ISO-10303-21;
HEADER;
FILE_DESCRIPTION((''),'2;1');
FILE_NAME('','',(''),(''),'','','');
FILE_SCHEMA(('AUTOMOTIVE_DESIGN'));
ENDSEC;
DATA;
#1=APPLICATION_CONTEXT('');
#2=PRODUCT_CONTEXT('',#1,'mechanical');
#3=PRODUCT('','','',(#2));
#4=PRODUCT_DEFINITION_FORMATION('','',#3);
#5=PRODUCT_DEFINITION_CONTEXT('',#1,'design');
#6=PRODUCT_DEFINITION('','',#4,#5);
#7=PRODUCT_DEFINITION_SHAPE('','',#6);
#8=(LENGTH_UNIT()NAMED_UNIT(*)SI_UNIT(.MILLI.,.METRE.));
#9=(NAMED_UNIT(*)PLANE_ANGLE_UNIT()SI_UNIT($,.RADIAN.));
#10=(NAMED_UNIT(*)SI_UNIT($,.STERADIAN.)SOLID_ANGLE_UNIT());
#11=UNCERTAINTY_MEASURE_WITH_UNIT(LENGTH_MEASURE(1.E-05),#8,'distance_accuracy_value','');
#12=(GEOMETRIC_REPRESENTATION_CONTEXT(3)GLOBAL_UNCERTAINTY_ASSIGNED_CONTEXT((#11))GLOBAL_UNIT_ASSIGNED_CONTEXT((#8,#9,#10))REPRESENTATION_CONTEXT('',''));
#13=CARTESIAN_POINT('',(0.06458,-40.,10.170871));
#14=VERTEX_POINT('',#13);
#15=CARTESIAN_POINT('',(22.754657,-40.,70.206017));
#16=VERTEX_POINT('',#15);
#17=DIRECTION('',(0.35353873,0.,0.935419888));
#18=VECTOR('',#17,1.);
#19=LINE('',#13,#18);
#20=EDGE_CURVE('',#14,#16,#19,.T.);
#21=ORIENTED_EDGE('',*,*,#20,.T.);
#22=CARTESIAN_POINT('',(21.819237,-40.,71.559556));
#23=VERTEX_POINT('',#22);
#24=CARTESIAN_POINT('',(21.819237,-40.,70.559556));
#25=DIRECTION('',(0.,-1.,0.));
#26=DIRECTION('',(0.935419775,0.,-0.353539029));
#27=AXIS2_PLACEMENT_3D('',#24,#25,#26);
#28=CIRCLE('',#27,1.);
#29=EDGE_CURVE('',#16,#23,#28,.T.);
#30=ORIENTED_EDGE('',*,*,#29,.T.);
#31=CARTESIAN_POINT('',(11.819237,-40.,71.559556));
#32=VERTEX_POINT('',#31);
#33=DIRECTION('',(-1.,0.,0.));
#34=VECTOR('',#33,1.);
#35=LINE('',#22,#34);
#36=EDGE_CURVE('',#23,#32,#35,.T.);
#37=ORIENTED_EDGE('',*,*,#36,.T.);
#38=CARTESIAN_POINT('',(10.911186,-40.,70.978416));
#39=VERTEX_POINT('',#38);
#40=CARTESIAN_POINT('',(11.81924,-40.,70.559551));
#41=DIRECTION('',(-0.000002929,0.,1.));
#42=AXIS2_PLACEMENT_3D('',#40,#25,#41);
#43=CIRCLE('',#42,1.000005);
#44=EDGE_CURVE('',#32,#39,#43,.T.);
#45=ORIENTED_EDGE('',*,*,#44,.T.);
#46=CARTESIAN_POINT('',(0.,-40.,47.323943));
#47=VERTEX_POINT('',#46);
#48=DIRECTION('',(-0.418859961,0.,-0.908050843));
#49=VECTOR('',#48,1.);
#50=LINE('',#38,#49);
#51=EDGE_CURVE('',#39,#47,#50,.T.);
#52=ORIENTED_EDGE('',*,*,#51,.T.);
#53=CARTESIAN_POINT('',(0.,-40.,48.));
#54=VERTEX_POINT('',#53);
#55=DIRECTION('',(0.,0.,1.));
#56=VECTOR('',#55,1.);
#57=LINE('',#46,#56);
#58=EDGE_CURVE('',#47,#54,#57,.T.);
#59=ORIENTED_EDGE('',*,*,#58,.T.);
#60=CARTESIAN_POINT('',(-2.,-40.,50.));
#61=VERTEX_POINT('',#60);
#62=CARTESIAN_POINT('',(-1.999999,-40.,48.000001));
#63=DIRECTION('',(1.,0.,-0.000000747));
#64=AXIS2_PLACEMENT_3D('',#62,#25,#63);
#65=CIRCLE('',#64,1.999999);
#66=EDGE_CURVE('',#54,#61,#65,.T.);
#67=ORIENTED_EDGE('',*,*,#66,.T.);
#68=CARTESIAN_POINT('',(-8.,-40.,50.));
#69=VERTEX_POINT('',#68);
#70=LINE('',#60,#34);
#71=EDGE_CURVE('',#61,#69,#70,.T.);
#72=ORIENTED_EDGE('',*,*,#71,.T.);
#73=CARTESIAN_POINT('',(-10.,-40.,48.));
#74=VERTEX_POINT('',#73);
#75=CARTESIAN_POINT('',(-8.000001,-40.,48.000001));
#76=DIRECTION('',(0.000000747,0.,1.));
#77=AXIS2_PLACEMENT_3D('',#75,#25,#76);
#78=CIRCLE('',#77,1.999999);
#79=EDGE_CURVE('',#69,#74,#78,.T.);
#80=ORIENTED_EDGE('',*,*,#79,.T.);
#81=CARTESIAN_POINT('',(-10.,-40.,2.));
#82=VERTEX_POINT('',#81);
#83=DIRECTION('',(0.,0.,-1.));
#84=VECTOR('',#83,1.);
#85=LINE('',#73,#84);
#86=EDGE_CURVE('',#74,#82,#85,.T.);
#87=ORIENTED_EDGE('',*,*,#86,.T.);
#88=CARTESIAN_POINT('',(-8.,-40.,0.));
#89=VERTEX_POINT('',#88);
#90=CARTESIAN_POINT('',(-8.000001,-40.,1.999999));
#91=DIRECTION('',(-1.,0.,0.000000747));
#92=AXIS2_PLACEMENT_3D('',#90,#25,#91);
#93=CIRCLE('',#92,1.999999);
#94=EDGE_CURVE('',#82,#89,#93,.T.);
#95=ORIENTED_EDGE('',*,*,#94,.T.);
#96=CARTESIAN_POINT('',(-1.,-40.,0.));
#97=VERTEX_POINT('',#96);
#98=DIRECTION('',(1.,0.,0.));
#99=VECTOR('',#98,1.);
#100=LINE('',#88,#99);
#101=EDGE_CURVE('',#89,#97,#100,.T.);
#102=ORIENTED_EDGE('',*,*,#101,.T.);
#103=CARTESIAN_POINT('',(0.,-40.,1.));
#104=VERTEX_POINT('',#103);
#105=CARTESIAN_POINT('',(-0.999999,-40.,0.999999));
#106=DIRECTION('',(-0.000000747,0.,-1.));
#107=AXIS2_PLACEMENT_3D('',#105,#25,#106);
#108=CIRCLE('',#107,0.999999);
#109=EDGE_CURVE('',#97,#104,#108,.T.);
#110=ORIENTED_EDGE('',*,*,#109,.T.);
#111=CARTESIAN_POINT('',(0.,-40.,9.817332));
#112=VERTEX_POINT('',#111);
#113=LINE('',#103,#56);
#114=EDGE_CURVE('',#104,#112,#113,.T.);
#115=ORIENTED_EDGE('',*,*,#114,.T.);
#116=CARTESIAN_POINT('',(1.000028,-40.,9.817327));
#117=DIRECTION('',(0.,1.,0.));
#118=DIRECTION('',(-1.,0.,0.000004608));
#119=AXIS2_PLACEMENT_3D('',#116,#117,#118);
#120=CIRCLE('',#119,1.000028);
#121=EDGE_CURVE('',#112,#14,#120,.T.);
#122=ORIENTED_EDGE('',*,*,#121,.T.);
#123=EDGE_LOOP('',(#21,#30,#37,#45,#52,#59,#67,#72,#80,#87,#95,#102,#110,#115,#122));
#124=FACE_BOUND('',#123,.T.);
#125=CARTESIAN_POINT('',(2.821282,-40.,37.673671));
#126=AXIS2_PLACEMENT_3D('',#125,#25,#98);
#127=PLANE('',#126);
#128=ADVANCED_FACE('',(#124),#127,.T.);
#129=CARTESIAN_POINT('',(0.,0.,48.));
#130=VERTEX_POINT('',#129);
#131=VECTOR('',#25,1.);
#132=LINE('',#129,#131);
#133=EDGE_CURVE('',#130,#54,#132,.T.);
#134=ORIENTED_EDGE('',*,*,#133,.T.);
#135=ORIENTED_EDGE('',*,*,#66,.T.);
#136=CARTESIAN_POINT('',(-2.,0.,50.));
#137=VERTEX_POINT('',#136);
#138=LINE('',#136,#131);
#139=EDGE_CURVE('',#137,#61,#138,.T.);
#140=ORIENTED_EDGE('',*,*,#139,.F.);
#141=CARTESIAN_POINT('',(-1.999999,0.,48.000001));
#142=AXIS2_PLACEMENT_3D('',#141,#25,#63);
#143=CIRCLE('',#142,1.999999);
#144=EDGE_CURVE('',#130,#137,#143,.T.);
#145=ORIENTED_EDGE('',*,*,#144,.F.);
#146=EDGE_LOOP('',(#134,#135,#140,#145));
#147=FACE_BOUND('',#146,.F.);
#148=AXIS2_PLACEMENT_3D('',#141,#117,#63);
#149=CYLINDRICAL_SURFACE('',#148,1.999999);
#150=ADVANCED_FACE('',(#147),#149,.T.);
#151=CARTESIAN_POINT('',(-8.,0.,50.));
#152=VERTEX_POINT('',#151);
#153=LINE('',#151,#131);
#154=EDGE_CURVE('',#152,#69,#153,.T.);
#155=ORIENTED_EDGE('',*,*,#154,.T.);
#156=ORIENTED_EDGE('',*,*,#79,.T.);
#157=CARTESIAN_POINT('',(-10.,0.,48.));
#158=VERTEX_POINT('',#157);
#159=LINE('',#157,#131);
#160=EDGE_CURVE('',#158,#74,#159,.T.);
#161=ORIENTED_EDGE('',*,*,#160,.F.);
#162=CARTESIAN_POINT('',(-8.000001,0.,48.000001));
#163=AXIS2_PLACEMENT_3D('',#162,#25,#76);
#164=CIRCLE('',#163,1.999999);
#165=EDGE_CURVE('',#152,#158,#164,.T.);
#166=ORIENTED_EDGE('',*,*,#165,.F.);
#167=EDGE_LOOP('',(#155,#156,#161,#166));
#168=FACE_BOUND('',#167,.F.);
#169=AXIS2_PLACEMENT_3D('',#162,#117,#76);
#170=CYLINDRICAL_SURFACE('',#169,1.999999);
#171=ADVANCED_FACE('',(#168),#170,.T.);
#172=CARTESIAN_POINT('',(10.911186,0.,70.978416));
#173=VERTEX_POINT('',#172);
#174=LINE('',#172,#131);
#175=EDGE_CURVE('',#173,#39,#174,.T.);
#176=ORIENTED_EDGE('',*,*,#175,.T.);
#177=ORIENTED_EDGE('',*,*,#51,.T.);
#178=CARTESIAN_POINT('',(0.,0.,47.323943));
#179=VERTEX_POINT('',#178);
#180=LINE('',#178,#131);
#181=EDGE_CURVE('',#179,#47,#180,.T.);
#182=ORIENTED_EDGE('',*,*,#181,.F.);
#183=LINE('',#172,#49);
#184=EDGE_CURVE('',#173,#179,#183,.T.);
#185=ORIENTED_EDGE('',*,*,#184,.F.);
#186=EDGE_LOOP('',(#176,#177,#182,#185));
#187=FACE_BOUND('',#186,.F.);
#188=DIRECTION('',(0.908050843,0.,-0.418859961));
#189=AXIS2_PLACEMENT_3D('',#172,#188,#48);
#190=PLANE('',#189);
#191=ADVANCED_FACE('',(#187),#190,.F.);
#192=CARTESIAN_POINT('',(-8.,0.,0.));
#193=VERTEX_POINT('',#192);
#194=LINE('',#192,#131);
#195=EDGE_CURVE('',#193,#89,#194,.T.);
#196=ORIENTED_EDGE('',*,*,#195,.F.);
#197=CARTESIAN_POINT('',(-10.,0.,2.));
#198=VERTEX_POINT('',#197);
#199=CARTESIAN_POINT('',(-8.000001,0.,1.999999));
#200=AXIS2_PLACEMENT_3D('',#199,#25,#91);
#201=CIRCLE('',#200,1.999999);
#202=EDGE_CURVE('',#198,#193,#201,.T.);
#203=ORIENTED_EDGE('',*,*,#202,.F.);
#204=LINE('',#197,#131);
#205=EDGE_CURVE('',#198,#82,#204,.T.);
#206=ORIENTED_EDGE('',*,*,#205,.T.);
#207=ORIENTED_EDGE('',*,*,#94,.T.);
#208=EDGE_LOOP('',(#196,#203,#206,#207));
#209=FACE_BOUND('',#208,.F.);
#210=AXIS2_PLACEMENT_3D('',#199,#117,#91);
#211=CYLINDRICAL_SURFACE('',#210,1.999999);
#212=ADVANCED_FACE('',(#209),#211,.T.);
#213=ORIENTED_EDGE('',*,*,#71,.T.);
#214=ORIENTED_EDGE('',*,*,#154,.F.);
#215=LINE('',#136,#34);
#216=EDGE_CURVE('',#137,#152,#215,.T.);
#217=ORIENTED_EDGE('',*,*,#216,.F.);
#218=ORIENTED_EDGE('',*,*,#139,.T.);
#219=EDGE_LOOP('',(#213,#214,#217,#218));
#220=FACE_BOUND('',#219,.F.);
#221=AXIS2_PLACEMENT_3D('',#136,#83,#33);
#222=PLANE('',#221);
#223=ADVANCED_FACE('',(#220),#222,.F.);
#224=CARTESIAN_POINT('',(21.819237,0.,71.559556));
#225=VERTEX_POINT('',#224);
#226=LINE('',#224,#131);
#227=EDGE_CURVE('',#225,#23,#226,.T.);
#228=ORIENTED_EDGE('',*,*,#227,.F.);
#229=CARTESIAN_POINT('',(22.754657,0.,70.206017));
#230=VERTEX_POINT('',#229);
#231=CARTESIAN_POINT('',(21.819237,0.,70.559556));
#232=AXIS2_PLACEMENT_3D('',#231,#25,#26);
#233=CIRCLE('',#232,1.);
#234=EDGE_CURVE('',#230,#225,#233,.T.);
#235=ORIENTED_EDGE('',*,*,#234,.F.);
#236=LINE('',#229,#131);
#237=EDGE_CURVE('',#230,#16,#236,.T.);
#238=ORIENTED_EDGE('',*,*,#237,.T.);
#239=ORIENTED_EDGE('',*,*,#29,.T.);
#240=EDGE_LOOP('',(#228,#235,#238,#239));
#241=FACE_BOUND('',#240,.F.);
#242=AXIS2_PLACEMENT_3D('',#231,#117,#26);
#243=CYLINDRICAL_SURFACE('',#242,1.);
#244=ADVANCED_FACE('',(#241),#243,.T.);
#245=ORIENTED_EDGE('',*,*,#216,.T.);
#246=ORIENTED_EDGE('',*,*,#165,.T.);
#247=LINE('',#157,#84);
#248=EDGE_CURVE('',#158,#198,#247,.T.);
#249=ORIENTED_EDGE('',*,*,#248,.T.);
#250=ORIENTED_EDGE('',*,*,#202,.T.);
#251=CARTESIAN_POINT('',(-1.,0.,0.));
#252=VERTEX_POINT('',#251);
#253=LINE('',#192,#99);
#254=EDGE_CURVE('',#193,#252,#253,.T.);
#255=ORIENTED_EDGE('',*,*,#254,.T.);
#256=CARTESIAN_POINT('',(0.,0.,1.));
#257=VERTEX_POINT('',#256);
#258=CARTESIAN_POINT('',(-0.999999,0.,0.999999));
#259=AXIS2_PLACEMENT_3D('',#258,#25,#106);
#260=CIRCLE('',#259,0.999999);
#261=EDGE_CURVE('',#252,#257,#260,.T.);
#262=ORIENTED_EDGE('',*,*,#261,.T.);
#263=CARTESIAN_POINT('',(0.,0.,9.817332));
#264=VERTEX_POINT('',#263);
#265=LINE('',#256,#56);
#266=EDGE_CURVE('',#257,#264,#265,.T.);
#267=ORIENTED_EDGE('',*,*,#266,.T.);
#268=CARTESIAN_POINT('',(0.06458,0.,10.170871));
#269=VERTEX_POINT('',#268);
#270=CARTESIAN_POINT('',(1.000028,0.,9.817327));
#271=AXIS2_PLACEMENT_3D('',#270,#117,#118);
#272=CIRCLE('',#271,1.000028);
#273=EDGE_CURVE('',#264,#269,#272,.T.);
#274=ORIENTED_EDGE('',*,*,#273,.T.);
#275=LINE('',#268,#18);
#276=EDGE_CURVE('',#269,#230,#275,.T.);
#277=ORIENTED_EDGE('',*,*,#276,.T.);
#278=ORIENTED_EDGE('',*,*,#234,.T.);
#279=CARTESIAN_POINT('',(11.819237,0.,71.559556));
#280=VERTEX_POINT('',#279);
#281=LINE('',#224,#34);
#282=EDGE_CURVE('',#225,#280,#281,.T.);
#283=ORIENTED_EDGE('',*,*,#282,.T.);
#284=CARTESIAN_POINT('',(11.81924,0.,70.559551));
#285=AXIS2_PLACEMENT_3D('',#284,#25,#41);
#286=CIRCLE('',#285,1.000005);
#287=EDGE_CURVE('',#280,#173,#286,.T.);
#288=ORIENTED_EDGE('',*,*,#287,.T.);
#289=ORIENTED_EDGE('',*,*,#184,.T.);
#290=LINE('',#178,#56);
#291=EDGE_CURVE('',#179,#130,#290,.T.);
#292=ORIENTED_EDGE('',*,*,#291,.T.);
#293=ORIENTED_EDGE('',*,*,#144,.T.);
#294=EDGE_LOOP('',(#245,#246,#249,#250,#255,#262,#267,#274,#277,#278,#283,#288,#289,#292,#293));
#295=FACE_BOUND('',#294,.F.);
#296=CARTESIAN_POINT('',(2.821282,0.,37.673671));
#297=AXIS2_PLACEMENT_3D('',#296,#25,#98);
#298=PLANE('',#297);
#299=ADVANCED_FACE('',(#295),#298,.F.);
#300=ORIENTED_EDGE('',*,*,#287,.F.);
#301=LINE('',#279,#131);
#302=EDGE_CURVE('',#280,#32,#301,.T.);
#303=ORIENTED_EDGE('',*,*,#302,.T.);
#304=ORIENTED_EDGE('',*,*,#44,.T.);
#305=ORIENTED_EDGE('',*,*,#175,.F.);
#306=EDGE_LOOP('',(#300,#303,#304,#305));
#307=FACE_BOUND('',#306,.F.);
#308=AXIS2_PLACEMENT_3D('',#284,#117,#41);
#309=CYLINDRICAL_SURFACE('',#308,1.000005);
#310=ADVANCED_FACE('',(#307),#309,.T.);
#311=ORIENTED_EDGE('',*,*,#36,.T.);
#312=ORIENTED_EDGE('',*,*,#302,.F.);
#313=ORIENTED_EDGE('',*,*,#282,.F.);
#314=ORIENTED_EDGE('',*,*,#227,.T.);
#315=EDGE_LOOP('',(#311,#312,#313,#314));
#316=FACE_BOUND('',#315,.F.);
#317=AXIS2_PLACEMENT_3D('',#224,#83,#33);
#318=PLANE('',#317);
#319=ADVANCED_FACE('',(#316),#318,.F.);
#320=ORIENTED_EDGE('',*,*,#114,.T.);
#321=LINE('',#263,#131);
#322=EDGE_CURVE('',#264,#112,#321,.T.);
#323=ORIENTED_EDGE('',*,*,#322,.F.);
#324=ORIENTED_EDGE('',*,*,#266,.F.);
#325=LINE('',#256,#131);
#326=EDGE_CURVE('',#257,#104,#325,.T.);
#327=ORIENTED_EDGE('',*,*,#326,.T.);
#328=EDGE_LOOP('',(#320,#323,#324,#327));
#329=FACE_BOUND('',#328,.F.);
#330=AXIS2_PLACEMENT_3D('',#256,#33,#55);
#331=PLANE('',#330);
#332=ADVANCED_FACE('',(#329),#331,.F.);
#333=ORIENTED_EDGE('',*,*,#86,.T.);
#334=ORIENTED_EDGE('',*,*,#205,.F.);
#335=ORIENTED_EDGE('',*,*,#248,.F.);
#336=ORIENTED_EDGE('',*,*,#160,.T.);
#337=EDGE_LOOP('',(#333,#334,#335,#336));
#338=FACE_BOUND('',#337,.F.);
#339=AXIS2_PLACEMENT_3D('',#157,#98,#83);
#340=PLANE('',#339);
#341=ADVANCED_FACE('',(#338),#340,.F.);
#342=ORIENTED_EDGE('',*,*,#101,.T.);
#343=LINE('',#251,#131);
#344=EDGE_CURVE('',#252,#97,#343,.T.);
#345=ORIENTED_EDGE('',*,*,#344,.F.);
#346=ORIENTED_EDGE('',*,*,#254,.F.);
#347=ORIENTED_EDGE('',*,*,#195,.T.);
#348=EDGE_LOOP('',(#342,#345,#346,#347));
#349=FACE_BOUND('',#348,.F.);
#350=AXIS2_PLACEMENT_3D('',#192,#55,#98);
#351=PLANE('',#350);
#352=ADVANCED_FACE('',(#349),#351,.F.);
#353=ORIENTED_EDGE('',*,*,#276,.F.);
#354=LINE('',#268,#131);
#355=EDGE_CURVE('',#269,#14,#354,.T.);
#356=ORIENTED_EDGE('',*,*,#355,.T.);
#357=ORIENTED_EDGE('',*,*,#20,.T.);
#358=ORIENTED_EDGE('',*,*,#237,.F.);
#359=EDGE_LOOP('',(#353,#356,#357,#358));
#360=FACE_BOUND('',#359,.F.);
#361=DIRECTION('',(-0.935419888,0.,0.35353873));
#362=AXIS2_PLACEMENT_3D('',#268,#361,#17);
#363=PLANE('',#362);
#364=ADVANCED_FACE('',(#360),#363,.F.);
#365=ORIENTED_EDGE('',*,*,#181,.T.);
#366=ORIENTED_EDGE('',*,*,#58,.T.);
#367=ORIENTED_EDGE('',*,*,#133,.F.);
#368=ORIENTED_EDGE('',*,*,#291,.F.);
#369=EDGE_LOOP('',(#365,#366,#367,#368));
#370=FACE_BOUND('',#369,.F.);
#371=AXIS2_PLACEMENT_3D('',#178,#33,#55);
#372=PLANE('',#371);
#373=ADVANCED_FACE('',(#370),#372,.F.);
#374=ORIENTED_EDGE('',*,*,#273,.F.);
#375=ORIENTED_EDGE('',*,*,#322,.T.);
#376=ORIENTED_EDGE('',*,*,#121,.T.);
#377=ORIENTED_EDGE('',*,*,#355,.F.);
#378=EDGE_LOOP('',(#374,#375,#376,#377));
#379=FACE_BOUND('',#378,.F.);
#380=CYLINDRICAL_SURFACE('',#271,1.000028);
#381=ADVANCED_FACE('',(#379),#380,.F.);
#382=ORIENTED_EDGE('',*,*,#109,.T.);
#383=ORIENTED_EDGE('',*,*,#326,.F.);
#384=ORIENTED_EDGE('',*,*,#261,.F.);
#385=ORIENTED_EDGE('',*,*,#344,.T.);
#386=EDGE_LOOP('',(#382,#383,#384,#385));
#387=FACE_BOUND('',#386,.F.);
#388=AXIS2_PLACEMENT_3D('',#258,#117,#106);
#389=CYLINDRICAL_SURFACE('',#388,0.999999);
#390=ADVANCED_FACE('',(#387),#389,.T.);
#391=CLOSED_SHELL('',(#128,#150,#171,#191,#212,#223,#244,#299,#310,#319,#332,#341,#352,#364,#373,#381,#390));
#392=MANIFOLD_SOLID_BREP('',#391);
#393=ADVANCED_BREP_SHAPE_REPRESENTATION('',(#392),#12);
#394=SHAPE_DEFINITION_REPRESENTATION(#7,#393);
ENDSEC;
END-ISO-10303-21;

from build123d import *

# Parameters (mm, degrees)
F1_DEPTH = 40


with BuildPart() as f1:
    # F0 (on Front) → F1 (new body)
    with BuildSketch(Plane.XZ):
        with BuildLine():
            Line((-10, 48), (-10, 2))
            ThreePointArc((-10, 2), (-9.414214, 0.585786), (-8, 0))
            Line((-8, 0), (-1, 0))
            ThreePointArc((-1, 0), (-0.292893, 0.292893), (0, 1))
            Line((0, 1), (0, 9.817332))
            ThreePointArc((0, 9.817332), (0.016278, 9.997027), (0.06458, 10.170871))
            Line((0.06458, 10.170871), (22.754657, 70.206017))
            ThreePointArc((22.754657, 70.206017), (22.641897, 71.12809), (21.819237, 71.559556))
            Line((21.819237, 71.559556), (11.819237, 71.559556))
            ThreePointArc((11.819237, 71.559556), (11.280192, 71.401832), (10.911186, 70.978416))
            Line((10.911186, 70.978416), (0, 47.323943))
            Line((0, 47.323943), (0, 48))
            ThreePointArc((0, 48), (-0.585786, 49.414214), (-2, 50))
            Line((-2, 50), (-8, 50))
            ThreePointArc((-8, 50), (-9.414214, 49.414214), (-10, 48))
        make_face()
    extrude(amount=F1_DEPTH)


solid = f1.part
